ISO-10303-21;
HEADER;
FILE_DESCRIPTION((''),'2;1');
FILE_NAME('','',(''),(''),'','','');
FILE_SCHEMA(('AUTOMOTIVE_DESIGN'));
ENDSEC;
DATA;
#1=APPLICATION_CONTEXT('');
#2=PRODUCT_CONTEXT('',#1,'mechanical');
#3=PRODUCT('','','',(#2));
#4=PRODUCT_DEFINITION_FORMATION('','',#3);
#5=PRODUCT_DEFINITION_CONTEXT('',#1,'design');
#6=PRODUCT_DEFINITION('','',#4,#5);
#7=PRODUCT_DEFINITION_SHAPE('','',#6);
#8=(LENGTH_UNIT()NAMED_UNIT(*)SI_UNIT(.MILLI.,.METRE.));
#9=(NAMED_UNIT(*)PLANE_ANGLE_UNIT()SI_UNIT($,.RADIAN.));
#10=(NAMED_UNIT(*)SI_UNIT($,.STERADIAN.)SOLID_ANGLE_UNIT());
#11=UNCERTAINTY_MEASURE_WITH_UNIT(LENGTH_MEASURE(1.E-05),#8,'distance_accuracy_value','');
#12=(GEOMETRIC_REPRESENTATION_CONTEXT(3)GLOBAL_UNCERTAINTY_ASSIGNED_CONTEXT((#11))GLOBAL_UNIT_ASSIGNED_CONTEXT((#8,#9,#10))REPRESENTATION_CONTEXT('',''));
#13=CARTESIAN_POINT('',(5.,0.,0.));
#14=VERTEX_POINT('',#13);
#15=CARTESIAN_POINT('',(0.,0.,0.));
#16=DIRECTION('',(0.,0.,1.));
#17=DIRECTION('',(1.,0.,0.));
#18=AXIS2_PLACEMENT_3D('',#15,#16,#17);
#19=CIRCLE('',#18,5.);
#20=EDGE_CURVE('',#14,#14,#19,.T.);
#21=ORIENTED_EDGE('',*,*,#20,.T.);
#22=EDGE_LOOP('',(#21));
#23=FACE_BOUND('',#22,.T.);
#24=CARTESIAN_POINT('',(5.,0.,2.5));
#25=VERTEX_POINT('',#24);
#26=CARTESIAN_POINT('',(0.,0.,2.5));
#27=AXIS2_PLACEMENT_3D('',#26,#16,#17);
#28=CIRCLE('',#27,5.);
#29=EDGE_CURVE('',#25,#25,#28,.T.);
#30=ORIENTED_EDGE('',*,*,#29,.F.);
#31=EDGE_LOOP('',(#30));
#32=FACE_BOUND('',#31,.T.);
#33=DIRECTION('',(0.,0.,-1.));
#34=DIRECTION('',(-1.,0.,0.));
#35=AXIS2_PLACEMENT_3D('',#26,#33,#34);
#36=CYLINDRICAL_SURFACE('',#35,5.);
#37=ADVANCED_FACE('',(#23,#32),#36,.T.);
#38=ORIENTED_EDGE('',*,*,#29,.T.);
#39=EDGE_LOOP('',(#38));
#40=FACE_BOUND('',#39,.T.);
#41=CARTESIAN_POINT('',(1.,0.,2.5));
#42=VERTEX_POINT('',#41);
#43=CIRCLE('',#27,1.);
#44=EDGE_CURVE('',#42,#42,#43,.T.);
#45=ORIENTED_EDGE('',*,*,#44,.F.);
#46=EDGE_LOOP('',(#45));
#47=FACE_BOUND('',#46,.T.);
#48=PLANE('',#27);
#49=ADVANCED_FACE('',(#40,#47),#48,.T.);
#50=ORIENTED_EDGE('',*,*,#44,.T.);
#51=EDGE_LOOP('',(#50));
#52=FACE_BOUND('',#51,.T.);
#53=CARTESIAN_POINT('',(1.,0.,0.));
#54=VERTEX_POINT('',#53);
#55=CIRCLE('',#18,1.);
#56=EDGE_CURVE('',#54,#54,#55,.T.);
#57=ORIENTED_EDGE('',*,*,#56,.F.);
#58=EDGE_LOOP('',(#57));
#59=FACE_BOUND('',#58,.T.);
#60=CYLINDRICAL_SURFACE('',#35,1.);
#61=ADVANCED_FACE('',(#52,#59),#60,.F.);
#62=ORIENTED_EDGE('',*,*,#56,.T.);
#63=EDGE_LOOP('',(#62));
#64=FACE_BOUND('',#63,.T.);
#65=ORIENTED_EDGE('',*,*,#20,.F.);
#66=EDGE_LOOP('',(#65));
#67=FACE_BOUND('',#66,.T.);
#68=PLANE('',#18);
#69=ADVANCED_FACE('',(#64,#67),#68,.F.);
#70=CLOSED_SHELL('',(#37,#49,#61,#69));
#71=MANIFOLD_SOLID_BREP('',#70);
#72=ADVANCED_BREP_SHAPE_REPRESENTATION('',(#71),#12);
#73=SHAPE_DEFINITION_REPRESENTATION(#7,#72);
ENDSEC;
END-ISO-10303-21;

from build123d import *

# Parameters (mm, degrees)
SKETCH_1_R      = 5
SKETCH_1_R_2    = 1
EXTRUDE_1_DEPTH = 2.5


with BuildPart() as part:
    # ｽｹｯﾁ1 → ﾎﾞｽ - 押し出し1 (new body)
    with BuildSketch(Plane.XY):
        Circle(SKETCH_1_R)
        Circle(SKETCH_1_R_2, mode=Mode.SUBTRACT)
    extrude(amount=EXTRUDE_1_DEPTH)


solid = part.part
